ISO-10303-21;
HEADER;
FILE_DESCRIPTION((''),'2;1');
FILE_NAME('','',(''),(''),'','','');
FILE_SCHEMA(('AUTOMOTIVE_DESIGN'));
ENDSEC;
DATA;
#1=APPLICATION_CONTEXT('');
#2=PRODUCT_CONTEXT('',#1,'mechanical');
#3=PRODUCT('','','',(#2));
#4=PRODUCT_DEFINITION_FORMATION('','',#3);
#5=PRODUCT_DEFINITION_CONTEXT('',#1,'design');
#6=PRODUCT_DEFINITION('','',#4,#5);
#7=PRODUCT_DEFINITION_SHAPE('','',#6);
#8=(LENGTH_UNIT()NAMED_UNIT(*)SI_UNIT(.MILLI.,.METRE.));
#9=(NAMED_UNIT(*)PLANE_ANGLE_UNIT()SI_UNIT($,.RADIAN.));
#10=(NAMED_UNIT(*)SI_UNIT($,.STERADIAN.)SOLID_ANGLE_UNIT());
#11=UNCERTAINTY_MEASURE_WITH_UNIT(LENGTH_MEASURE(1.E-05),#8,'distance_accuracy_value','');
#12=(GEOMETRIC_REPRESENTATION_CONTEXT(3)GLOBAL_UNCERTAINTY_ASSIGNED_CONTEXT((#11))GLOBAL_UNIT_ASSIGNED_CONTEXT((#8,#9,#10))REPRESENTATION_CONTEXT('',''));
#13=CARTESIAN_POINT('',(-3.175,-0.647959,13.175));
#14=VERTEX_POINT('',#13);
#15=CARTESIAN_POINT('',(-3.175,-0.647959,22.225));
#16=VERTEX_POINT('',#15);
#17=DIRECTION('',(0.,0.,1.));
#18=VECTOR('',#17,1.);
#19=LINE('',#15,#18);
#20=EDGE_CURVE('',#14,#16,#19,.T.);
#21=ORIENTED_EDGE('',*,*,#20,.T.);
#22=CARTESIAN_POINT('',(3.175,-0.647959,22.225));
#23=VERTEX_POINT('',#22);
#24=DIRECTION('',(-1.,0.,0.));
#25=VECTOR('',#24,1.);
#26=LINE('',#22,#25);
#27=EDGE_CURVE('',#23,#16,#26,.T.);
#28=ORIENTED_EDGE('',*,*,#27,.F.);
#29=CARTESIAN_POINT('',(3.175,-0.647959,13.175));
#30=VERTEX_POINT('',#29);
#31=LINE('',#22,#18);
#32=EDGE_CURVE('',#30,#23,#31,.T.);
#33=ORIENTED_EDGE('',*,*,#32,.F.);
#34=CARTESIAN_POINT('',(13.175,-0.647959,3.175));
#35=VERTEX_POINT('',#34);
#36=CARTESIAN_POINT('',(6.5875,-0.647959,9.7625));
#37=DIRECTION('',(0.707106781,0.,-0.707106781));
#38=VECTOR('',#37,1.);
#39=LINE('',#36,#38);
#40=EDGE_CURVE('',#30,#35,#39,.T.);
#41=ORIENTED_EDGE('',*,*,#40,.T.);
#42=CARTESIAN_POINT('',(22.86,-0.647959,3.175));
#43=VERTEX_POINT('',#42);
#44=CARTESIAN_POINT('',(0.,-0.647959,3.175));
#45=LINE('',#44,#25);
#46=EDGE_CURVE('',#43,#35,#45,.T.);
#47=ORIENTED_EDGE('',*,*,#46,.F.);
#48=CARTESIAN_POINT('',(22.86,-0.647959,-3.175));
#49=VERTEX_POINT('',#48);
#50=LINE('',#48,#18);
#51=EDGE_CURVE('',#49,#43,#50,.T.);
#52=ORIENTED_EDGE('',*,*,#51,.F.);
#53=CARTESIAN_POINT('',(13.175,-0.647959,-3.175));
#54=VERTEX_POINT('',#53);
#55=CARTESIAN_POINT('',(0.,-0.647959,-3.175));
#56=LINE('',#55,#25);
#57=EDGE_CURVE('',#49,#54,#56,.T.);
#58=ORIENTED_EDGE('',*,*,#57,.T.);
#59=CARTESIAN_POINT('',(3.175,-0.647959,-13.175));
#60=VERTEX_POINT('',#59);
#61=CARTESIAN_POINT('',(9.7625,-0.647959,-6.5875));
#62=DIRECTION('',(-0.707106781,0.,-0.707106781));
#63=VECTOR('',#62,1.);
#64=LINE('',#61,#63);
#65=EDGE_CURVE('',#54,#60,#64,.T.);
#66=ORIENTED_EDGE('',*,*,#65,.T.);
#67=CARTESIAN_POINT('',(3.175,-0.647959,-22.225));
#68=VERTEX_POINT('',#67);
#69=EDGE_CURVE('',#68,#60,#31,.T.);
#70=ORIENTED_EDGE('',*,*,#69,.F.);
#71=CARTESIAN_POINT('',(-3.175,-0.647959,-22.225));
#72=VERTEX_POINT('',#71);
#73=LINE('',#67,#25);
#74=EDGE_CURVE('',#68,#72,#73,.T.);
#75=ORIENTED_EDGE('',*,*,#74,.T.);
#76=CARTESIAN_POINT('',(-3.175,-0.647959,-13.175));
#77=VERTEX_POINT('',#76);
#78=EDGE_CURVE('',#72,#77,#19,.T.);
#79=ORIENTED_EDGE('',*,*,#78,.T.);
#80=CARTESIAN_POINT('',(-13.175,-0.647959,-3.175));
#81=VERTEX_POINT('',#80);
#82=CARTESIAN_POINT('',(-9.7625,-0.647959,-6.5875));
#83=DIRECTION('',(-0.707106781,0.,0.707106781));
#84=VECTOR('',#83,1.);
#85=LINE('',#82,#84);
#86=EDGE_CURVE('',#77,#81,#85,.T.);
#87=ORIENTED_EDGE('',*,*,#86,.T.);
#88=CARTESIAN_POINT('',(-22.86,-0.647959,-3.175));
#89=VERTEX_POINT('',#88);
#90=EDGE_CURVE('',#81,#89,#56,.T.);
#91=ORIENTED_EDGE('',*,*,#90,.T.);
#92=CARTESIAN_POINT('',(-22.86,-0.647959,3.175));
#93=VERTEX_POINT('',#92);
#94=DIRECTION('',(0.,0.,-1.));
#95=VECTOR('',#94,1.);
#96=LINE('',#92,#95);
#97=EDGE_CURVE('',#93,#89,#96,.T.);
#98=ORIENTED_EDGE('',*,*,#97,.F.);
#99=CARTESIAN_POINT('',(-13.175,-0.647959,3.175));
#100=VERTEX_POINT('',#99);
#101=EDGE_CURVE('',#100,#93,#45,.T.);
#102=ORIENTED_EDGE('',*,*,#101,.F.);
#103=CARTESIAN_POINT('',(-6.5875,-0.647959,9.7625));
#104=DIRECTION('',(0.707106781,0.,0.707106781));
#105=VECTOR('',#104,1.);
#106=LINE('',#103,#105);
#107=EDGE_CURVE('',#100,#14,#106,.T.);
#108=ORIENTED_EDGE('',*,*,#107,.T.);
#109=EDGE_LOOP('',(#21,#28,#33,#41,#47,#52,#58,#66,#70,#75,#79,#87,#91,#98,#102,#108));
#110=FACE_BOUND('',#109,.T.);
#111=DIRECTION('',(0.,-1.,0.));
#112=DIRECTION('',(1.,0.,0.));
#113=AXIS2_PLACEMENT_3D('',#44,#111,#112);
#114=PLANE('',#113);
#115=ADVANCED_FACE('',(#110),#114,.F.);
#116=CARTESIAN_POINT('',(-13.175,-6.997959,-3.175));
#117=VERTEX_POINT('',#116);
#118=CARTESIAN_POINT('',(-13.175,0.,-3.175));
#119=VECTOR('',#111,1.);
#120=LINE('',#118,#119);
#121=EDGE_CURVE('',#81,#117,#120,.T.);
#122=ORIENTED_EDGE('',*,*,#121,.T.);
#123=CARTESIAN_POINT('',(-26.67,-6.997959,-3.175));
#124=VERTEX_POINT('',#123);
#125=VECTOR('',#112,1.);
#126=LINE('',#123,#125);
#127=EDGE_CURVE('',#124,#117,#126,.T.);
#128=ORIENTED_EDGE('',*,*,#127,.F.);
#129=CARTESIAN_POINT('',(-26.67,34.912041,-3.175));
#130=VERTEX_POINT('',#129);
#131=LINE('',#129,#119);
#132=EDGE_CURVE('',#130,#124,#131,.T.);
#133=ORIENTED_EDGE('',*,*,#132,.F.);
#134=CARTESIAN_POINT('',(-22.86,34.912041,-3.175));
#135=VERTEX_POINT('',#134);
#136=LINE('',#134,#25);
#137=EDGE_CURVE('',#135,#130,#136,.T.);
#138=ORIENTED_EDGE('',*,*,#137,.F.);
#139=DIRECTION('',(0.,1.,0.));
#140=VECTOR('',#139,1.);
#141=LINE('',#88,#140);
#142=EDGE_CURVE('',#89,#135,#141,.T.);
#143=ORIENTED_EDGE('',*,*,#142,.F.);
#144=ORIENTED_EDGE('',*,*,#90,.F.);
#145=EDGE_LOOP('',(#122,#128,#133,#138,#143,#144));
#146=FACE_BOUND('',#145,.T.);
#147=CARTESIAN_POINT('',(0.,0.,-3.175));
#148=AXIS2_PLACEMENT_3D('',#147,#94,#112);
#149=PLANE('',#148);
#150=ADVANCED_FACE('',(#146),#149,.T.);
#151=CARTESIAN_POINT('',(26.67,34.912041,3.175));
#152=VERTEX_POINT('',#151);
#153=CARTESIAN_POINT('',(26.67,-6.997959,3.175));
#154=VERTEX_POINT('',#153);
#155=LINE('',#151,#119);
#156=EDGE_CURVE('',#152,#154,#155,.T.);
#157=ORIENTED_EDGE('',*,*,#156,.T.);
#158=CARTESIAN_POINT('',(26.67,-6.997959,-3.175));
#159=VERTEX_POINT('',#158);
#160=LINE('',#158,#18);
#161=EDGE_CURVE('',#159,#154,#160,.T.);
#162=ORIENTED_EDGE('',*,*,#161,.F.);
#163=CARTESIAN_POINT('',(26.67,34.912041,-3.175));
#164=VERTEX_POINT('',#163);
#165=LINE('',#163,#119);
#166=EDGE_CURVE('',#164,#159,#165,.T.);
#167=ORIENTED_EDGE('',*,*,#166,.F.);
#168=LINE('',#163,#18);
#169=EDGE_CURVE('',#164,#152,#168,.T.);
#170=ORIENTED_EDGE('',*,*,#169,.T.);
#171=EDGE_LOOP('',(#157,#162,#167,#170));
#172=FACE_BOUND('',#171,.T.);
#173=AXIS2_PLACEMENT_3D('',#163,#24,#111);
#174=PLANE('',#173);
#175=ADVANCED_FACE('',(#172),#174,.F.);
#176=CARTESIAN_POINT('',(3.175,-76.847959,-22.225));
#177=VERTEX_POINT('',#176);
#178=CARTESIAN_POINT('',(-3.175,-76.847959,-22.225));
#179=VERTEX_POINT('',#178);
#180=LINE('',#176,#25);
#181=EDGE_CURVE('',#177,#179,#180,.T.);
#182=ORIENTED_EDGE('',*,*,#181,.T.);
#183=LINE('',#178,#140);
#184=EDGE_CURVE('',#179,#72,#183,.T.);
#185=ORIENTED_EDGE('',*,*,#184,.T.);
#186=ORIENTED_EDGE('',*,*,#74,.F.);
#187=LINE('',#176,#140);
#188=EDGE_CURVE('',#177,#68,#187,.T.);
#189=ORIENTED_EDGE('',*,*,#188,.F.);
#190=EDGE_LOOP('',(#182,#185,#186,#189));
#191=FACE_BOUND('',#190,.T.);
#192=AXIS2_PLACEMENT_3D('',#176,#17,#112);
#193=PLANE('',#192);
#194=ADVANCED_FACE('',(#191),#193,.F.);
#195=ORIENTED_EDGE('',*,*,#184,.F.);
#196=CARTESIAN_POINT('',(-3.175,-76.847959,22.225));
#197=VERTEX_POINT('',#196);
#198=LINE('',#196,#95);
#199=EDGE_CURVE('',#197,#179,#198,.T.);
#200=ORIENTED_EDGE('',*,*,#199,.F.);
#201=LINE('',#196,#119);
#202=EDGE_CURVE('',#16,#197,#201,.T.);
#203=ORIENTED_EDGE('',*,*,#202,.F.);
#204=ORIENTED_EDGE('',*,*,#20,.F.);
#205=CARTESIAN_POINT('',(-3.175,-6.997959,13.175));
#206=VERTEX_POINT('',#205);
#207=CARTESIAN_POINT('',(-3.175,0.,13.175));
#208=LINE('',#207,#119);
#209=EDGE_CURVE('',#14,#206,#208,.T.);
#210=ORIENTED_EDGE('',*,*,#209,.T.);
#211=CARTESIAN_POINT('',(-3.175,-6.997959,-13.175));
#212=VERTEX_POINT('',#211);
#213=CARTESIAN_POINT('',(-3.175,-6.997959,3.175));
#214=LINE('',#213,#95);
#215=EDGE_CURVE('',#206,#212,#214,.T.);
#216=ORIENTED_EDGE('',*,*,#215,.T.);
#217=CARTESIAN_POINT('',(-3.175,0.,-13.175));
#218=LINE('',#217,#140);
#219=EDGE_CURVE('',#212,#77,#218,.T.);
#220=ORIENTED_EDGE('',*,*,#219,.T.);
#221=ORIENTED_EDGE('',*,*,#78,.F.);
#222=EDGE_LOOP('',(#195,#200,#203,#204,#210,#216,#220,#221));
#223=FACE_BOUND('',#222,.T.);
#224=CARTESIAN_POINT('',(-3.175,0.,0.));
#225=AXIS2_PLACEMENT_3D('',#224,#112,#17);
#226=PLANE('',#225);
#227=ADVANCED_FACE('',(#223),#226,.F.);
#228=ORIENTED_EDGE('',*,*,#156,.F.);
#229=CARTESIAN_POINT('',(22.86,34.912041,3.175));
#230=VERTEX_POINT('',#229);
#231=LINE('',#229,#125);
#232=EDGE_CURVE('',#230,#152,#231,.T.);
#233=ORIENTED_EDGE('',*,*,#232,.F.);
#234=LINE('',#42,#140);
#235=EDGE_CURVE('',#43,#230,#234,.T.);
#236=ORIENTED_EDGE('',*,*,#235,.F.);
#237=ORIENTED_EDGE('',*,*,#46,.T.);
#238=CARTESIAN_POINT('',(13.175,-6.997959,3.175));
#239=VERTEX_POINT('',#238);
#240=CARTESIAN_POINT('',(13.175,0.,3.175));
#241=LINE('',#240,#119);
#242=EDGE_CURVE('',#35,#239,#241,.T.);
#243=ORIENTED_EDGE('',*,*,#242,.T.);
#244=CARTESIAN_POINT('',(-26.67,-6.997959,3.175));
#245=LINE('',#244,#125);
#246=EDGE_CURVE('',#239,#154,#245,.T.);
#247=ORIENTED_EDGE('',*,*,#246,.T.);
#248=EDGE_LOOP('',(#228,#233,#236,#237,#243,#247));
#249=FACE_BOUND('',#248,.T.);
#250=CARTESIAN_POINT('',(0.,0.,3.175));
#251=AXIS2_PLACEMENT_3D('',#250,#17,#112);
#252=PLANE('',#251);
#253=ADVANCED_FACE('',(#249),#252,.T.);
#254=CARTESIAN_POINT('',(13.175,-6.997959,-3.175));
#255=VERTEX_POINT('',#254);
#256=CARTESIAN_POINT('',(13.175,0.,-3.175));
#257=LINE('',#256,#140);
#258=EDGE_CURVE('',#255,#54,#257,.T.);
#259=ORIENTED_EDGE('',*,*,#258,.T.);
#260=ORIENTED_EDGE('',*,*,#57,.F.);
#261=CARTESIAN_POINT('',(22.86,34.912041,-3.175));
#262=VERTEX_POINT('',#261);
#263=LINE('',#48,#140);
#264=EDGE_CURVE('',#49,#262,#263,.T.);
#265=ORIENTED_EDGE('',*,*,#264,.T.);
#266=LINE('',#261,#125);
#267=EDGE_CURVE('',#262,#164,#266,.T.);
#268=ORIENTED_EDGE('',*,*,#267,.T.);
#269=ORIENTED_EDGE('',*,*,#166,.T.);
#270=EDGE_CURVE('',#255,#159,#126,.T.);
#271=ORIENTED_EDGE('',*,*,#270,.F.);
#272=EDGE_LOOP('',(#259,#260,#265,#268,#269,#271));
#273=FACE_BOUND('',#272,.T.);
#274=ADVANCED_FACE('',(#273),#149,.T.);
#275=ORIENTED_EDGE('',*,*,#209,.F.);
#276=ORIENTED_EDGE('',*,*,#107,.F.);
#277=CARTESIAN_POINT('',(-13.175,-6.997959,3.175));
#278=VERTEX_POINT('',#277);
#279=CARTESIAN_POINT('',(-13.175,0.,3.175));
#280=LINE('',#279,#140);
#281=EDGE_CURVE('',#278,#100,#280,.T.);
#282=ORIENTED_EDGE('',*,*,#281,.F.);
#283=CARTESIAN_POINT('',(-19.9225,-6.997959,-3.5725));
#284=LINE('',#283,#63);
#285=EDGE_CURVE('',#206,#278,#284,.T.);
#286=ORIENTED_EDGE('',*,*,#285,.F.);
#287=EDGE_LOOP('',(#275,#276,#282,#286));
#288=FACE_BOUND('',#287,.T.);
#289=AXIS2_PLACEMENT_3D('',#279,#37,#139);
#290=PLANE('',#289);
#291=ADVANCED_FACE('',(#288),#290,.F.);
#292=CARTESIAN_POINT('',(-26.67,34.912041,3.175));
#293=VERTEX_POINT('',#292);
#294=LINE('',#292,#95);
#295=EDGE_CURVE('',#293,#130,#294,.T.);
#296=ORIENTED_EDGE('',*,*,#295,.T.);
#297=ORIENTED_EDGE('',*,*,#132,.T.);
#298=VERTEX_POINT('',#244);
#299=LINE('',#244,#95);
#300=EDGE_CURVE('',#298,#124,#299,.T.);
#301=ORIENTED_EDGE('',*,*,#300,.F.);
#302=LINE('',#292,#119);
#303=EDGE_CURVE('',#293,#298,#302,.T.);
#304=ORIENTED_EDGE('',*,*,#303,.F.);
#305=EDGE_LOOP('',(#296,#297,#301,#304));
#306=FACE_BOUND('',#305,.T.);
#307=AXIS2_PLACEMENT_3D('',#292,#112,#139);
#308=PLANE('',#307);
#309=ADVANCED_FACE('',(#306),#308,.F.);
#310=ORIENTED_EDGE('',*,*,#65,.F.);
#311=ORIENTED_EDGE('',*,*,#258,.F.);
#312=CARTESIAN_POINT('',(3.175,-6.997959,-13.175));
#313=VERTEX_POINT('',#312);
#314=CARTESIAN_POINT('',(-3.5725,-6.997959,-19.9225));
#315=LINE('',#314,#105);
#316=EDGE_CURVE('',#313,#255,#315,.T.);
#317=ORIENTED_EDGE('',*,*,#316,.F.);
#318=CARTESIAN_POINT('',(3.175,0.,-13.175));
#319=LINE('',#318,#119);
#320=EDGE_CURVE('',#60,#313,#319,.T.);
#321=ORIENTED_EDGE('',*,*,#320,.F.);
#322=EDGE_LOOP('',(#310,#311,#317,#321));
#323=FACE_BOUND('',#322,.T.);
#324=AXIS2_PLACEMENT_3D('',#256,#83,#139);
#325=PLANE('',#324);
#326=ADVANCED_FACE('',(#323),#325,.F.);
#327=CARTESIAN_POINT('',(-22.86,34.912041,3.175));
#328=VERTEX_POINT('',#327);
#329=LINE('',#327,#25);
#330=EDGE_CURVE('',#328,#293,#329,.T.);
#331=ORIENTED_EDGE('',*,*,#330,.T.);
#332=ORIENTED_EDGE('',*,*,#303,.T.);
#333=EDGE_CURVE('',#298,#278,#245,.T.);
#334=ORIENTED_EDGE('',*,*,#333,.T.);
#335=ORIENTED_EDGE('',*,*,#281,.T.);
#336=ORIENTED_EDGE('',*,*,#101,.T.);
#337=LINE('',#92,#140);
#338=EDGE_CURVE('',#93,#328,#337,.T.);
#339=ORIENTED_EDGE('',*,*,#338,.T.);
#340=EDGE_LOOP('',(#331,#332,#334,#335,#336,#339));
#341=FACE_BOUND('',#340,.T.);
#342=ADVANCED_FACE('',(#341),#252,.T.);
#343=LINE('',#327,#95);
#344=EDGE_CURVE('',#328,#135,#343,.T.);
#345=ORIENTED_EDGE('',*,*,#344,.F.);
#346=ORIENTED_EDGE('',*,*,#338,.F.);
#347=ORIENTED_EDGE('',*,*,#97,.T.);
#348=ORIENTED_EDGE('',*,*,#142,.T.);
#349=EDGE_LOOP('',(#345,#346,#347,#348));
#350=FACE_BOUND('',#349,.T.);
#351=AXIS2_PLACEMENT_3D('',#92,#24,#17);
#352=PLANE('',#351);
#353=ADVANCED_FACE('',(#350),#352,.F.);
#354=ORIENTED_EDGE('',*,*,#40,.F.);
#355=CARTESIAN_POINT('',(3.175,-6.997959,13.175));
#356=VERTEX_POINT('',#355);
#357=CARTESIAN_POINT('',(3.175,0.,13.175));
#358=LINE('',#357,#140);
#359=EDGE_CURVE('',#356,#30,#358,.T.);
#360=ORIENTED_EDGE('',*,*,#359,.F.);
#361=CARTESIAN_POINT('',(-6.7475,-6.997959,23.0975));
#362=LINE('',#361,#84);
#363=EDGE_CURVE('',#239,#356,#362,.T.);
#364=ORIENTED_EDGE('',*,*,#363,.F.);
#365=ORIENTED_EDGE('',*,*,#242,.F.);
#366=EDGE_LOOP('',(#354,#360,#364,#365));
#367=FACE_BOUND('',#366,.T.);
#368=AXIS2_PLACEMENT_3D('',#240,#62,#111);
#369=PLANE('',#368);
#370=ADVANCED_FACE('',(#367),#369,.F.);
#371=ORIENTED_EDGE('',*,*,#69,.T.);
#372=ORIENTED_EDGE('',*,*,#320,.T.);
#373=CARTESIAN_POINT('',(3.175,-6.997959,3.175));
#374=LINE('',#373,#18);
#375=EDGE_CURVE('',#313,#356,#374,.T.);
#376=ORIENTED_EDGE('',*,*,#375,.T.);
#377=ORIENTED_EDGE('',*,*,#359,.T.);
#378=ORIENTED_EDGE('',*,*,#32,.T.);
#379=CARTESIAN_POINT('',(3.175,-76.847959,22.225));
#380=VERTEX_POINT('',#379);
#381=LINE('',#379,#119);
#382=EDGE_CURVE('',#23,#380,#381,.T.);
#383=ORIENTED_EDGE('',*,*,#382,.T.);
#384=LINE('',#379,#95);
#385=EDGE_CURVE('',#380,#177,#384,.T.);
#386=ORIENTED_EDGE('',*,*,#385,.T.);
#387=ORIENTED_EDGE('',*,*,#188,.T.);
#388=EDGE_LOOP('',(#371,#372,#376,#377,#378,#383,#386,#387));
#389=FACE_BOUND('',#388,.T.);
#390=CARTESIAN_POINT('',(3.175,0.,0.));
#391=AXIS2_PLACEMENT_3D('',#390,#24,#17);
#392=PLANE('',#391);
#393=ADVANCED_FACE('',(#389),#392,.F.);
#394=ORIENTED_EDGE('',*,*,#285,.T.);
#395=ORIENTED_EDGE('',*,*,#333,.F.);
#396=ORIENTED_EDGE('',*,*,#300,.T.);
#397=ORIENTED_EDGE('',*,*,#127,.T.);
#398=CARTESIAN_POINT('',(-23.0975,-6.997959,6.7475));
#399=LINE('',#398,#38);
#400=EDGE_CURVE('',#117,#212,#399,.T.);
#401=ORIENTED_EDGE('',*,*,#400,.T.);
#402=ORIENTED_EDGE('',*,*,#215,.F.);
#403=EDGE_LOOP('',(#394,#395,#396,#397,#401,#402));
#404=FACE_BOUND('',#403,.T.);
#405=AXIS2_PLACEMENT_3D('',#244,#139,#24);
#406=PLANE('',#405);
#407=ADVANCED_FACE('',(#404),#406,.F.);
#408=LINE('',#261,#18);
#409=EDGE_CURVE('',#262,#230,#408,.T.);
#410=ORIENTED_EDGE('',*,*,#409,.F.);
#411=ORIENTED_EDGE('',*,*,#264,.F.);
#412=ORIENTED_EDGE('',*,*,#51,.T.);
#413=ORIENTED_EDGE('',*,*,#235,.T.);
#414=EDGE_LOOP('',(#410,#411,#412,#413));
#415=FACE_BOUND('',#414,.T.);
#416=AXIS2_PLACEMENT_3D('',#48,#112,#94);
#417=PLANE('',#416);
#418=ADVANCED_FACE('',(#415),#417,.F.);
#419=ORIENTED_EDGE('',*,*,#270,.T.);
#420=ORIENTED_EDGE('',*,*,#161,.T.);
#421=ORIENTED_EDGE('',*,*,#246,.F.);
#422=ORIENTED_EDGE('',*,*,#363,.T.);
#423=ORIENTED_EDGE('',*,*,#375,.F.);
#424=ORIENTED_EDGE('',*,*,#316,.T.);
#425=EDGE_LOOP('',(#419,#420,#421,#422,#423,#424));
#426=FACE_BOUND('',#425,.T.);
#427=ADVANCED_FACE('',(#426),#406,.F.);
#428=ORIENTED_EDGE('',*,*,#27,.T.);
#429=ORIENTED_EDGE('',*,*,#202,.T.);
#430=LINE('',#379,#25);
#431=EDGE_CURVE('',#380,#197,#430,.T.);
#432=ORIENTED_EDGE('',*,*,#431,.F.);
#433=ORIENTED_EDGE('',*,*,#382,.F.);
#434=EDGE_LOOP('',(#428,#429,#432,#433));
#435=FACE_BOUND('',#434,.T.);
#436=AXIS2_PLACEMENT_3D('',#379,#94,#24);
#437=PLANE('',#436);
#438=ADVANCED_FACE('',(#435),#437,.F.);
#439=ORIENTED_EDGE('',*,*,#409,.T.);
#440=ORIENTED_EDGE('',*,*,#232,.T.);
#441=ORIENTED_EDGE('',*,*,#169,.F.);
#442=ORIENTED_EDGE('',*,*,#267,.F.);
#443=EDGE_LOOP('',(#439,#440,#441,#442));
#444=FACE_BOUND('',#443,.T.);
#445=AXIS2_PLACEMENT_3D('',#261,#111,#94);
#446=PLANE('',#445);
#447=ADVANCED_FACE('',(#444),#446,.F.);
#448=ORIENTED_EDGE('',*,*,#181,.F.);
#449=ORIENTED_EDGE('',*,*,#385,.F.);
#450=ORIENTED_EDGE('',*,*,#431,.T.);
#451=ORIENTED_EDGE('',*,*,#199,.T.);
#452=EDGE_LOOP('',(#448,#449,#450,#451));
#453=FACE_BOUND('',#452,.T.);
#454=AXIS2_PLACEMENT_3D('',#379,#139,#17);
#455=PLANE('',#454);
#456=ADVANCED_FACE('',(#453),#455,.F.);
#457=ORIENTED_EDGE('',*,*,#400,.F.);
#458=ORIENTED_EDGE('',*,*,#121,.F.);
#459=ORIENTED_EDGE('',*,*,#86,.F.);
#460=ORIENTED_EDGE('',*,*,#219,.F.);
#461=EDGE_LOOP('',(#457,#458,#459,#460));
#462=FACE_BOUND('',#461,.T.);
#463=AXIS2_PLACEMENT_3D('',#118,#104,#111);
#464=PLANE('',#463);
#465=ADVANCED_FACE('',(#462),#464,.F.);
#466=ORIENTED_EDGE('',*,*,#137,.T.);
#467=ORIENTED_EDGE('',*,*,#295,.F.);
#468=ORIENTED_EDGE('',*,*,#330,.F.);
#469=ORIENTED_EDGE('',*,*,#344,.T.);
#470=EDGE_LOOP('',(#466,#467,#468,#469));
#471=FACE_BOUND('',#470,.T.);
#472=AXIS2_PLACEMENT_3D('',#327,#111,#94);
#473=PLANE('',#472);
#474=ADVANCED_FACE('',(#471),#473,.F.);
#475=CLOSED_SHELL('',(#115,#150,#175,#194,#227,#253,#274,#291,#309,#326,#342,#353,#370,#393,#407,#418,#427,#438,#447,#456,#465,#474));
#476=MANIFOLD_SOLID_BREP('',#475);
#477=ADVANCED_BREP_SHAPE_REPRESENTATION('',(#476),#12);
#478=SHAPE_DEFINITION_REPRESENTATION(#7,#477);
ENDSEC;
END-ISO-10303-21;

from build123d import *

# Parameters (mm, degrees)
BOSS_EXTRUDE1_DEPTH  = 3.175
MIRROR2_COPY_1_DEPTH = 3.175
SKETCH2_W            = 44.45
SKETCH2_H            = 76.2
BOSS_EXTRUDE2_DEPTH  = 3.175
CHAMFER1_SIZE        = 10


with BuildPart() as part:
    # Sketch1 → Boss-Extrude1 (new body)
    with BuildSketch(Plane.XY):
        Polygon((0, -6.997959184), (0, -0.647959184), (-22.86, -0.647959184), (-22.86, 34.912040816), (-26.67, 34.912040816), (-26.67, -6.997959184), align=None)
    boss_extrude1 = extrude(amount=BOSS_EXTRUDE1_DEPTH)

    # Mirror1: Boss-Extrude1 across plane
    add(boss_extrude1.mirror(Plane.XY))

    # Mirror2: Boss-Extrude1 across plane
    add(boss_extrude1.mirror(Plane(origin=(0, 0, 0), x_dir=(0, 0, 1), z_dir=(1, 0, 0))))

    # Mirror2 copy 1 sketch → Mirror2 copy 1 (add)
    with BuildSketch(Plane(origin=(0, 0, 0), x_dir=(-1, 0, 0), z_dir=(0, 0, -1))):
        Polygon((0, -6.997959184), (0, -0.647959184), (-22.86, -0.647959184), (-22.86, 34.912040816), (-26.67, 34.912040816), (-26.67, -6.997959184), align=None)
    extrude(amount=MIRROR2_COPY_1_DEPTH)

    # Sketch2 → Boss-Extrude2 (add)
    with BuildSketch(Plane(origin=(0, 0, 0), x_dir=(0, 0, -1), z_dir=(1, 0, 0))):
        with Locations((0, -38.747959184)):
            Rectangle(SKETCH2_W, SKETCH2_H)
    boss_extrude2 = extrude(amount=BOSS_EXTRUDE2_DEPTH)

    # Mirror3: Boss-Extrude2 across plane
    add(boss_extrude2.mirror(Plane(origin=(0, 0, 0), x_dir=(0, 0, 1), z_dir=(1, 0, 0))))

    # Chamfer1
    chamfer1_edges = [part.edges().sort_by_distance(p)[0] for p in [
        (3.175, -3.822959184, -3.175),
        (3.175, -3.822959184, 3.175),
        (-3.175, -3.822959184, -3.175),
        (-3.175, -3.822959184, 3.175),
    ]]
    chamfer(chamfer1_edges, length=CHAMFER1_SIZE)


solid = part.part
